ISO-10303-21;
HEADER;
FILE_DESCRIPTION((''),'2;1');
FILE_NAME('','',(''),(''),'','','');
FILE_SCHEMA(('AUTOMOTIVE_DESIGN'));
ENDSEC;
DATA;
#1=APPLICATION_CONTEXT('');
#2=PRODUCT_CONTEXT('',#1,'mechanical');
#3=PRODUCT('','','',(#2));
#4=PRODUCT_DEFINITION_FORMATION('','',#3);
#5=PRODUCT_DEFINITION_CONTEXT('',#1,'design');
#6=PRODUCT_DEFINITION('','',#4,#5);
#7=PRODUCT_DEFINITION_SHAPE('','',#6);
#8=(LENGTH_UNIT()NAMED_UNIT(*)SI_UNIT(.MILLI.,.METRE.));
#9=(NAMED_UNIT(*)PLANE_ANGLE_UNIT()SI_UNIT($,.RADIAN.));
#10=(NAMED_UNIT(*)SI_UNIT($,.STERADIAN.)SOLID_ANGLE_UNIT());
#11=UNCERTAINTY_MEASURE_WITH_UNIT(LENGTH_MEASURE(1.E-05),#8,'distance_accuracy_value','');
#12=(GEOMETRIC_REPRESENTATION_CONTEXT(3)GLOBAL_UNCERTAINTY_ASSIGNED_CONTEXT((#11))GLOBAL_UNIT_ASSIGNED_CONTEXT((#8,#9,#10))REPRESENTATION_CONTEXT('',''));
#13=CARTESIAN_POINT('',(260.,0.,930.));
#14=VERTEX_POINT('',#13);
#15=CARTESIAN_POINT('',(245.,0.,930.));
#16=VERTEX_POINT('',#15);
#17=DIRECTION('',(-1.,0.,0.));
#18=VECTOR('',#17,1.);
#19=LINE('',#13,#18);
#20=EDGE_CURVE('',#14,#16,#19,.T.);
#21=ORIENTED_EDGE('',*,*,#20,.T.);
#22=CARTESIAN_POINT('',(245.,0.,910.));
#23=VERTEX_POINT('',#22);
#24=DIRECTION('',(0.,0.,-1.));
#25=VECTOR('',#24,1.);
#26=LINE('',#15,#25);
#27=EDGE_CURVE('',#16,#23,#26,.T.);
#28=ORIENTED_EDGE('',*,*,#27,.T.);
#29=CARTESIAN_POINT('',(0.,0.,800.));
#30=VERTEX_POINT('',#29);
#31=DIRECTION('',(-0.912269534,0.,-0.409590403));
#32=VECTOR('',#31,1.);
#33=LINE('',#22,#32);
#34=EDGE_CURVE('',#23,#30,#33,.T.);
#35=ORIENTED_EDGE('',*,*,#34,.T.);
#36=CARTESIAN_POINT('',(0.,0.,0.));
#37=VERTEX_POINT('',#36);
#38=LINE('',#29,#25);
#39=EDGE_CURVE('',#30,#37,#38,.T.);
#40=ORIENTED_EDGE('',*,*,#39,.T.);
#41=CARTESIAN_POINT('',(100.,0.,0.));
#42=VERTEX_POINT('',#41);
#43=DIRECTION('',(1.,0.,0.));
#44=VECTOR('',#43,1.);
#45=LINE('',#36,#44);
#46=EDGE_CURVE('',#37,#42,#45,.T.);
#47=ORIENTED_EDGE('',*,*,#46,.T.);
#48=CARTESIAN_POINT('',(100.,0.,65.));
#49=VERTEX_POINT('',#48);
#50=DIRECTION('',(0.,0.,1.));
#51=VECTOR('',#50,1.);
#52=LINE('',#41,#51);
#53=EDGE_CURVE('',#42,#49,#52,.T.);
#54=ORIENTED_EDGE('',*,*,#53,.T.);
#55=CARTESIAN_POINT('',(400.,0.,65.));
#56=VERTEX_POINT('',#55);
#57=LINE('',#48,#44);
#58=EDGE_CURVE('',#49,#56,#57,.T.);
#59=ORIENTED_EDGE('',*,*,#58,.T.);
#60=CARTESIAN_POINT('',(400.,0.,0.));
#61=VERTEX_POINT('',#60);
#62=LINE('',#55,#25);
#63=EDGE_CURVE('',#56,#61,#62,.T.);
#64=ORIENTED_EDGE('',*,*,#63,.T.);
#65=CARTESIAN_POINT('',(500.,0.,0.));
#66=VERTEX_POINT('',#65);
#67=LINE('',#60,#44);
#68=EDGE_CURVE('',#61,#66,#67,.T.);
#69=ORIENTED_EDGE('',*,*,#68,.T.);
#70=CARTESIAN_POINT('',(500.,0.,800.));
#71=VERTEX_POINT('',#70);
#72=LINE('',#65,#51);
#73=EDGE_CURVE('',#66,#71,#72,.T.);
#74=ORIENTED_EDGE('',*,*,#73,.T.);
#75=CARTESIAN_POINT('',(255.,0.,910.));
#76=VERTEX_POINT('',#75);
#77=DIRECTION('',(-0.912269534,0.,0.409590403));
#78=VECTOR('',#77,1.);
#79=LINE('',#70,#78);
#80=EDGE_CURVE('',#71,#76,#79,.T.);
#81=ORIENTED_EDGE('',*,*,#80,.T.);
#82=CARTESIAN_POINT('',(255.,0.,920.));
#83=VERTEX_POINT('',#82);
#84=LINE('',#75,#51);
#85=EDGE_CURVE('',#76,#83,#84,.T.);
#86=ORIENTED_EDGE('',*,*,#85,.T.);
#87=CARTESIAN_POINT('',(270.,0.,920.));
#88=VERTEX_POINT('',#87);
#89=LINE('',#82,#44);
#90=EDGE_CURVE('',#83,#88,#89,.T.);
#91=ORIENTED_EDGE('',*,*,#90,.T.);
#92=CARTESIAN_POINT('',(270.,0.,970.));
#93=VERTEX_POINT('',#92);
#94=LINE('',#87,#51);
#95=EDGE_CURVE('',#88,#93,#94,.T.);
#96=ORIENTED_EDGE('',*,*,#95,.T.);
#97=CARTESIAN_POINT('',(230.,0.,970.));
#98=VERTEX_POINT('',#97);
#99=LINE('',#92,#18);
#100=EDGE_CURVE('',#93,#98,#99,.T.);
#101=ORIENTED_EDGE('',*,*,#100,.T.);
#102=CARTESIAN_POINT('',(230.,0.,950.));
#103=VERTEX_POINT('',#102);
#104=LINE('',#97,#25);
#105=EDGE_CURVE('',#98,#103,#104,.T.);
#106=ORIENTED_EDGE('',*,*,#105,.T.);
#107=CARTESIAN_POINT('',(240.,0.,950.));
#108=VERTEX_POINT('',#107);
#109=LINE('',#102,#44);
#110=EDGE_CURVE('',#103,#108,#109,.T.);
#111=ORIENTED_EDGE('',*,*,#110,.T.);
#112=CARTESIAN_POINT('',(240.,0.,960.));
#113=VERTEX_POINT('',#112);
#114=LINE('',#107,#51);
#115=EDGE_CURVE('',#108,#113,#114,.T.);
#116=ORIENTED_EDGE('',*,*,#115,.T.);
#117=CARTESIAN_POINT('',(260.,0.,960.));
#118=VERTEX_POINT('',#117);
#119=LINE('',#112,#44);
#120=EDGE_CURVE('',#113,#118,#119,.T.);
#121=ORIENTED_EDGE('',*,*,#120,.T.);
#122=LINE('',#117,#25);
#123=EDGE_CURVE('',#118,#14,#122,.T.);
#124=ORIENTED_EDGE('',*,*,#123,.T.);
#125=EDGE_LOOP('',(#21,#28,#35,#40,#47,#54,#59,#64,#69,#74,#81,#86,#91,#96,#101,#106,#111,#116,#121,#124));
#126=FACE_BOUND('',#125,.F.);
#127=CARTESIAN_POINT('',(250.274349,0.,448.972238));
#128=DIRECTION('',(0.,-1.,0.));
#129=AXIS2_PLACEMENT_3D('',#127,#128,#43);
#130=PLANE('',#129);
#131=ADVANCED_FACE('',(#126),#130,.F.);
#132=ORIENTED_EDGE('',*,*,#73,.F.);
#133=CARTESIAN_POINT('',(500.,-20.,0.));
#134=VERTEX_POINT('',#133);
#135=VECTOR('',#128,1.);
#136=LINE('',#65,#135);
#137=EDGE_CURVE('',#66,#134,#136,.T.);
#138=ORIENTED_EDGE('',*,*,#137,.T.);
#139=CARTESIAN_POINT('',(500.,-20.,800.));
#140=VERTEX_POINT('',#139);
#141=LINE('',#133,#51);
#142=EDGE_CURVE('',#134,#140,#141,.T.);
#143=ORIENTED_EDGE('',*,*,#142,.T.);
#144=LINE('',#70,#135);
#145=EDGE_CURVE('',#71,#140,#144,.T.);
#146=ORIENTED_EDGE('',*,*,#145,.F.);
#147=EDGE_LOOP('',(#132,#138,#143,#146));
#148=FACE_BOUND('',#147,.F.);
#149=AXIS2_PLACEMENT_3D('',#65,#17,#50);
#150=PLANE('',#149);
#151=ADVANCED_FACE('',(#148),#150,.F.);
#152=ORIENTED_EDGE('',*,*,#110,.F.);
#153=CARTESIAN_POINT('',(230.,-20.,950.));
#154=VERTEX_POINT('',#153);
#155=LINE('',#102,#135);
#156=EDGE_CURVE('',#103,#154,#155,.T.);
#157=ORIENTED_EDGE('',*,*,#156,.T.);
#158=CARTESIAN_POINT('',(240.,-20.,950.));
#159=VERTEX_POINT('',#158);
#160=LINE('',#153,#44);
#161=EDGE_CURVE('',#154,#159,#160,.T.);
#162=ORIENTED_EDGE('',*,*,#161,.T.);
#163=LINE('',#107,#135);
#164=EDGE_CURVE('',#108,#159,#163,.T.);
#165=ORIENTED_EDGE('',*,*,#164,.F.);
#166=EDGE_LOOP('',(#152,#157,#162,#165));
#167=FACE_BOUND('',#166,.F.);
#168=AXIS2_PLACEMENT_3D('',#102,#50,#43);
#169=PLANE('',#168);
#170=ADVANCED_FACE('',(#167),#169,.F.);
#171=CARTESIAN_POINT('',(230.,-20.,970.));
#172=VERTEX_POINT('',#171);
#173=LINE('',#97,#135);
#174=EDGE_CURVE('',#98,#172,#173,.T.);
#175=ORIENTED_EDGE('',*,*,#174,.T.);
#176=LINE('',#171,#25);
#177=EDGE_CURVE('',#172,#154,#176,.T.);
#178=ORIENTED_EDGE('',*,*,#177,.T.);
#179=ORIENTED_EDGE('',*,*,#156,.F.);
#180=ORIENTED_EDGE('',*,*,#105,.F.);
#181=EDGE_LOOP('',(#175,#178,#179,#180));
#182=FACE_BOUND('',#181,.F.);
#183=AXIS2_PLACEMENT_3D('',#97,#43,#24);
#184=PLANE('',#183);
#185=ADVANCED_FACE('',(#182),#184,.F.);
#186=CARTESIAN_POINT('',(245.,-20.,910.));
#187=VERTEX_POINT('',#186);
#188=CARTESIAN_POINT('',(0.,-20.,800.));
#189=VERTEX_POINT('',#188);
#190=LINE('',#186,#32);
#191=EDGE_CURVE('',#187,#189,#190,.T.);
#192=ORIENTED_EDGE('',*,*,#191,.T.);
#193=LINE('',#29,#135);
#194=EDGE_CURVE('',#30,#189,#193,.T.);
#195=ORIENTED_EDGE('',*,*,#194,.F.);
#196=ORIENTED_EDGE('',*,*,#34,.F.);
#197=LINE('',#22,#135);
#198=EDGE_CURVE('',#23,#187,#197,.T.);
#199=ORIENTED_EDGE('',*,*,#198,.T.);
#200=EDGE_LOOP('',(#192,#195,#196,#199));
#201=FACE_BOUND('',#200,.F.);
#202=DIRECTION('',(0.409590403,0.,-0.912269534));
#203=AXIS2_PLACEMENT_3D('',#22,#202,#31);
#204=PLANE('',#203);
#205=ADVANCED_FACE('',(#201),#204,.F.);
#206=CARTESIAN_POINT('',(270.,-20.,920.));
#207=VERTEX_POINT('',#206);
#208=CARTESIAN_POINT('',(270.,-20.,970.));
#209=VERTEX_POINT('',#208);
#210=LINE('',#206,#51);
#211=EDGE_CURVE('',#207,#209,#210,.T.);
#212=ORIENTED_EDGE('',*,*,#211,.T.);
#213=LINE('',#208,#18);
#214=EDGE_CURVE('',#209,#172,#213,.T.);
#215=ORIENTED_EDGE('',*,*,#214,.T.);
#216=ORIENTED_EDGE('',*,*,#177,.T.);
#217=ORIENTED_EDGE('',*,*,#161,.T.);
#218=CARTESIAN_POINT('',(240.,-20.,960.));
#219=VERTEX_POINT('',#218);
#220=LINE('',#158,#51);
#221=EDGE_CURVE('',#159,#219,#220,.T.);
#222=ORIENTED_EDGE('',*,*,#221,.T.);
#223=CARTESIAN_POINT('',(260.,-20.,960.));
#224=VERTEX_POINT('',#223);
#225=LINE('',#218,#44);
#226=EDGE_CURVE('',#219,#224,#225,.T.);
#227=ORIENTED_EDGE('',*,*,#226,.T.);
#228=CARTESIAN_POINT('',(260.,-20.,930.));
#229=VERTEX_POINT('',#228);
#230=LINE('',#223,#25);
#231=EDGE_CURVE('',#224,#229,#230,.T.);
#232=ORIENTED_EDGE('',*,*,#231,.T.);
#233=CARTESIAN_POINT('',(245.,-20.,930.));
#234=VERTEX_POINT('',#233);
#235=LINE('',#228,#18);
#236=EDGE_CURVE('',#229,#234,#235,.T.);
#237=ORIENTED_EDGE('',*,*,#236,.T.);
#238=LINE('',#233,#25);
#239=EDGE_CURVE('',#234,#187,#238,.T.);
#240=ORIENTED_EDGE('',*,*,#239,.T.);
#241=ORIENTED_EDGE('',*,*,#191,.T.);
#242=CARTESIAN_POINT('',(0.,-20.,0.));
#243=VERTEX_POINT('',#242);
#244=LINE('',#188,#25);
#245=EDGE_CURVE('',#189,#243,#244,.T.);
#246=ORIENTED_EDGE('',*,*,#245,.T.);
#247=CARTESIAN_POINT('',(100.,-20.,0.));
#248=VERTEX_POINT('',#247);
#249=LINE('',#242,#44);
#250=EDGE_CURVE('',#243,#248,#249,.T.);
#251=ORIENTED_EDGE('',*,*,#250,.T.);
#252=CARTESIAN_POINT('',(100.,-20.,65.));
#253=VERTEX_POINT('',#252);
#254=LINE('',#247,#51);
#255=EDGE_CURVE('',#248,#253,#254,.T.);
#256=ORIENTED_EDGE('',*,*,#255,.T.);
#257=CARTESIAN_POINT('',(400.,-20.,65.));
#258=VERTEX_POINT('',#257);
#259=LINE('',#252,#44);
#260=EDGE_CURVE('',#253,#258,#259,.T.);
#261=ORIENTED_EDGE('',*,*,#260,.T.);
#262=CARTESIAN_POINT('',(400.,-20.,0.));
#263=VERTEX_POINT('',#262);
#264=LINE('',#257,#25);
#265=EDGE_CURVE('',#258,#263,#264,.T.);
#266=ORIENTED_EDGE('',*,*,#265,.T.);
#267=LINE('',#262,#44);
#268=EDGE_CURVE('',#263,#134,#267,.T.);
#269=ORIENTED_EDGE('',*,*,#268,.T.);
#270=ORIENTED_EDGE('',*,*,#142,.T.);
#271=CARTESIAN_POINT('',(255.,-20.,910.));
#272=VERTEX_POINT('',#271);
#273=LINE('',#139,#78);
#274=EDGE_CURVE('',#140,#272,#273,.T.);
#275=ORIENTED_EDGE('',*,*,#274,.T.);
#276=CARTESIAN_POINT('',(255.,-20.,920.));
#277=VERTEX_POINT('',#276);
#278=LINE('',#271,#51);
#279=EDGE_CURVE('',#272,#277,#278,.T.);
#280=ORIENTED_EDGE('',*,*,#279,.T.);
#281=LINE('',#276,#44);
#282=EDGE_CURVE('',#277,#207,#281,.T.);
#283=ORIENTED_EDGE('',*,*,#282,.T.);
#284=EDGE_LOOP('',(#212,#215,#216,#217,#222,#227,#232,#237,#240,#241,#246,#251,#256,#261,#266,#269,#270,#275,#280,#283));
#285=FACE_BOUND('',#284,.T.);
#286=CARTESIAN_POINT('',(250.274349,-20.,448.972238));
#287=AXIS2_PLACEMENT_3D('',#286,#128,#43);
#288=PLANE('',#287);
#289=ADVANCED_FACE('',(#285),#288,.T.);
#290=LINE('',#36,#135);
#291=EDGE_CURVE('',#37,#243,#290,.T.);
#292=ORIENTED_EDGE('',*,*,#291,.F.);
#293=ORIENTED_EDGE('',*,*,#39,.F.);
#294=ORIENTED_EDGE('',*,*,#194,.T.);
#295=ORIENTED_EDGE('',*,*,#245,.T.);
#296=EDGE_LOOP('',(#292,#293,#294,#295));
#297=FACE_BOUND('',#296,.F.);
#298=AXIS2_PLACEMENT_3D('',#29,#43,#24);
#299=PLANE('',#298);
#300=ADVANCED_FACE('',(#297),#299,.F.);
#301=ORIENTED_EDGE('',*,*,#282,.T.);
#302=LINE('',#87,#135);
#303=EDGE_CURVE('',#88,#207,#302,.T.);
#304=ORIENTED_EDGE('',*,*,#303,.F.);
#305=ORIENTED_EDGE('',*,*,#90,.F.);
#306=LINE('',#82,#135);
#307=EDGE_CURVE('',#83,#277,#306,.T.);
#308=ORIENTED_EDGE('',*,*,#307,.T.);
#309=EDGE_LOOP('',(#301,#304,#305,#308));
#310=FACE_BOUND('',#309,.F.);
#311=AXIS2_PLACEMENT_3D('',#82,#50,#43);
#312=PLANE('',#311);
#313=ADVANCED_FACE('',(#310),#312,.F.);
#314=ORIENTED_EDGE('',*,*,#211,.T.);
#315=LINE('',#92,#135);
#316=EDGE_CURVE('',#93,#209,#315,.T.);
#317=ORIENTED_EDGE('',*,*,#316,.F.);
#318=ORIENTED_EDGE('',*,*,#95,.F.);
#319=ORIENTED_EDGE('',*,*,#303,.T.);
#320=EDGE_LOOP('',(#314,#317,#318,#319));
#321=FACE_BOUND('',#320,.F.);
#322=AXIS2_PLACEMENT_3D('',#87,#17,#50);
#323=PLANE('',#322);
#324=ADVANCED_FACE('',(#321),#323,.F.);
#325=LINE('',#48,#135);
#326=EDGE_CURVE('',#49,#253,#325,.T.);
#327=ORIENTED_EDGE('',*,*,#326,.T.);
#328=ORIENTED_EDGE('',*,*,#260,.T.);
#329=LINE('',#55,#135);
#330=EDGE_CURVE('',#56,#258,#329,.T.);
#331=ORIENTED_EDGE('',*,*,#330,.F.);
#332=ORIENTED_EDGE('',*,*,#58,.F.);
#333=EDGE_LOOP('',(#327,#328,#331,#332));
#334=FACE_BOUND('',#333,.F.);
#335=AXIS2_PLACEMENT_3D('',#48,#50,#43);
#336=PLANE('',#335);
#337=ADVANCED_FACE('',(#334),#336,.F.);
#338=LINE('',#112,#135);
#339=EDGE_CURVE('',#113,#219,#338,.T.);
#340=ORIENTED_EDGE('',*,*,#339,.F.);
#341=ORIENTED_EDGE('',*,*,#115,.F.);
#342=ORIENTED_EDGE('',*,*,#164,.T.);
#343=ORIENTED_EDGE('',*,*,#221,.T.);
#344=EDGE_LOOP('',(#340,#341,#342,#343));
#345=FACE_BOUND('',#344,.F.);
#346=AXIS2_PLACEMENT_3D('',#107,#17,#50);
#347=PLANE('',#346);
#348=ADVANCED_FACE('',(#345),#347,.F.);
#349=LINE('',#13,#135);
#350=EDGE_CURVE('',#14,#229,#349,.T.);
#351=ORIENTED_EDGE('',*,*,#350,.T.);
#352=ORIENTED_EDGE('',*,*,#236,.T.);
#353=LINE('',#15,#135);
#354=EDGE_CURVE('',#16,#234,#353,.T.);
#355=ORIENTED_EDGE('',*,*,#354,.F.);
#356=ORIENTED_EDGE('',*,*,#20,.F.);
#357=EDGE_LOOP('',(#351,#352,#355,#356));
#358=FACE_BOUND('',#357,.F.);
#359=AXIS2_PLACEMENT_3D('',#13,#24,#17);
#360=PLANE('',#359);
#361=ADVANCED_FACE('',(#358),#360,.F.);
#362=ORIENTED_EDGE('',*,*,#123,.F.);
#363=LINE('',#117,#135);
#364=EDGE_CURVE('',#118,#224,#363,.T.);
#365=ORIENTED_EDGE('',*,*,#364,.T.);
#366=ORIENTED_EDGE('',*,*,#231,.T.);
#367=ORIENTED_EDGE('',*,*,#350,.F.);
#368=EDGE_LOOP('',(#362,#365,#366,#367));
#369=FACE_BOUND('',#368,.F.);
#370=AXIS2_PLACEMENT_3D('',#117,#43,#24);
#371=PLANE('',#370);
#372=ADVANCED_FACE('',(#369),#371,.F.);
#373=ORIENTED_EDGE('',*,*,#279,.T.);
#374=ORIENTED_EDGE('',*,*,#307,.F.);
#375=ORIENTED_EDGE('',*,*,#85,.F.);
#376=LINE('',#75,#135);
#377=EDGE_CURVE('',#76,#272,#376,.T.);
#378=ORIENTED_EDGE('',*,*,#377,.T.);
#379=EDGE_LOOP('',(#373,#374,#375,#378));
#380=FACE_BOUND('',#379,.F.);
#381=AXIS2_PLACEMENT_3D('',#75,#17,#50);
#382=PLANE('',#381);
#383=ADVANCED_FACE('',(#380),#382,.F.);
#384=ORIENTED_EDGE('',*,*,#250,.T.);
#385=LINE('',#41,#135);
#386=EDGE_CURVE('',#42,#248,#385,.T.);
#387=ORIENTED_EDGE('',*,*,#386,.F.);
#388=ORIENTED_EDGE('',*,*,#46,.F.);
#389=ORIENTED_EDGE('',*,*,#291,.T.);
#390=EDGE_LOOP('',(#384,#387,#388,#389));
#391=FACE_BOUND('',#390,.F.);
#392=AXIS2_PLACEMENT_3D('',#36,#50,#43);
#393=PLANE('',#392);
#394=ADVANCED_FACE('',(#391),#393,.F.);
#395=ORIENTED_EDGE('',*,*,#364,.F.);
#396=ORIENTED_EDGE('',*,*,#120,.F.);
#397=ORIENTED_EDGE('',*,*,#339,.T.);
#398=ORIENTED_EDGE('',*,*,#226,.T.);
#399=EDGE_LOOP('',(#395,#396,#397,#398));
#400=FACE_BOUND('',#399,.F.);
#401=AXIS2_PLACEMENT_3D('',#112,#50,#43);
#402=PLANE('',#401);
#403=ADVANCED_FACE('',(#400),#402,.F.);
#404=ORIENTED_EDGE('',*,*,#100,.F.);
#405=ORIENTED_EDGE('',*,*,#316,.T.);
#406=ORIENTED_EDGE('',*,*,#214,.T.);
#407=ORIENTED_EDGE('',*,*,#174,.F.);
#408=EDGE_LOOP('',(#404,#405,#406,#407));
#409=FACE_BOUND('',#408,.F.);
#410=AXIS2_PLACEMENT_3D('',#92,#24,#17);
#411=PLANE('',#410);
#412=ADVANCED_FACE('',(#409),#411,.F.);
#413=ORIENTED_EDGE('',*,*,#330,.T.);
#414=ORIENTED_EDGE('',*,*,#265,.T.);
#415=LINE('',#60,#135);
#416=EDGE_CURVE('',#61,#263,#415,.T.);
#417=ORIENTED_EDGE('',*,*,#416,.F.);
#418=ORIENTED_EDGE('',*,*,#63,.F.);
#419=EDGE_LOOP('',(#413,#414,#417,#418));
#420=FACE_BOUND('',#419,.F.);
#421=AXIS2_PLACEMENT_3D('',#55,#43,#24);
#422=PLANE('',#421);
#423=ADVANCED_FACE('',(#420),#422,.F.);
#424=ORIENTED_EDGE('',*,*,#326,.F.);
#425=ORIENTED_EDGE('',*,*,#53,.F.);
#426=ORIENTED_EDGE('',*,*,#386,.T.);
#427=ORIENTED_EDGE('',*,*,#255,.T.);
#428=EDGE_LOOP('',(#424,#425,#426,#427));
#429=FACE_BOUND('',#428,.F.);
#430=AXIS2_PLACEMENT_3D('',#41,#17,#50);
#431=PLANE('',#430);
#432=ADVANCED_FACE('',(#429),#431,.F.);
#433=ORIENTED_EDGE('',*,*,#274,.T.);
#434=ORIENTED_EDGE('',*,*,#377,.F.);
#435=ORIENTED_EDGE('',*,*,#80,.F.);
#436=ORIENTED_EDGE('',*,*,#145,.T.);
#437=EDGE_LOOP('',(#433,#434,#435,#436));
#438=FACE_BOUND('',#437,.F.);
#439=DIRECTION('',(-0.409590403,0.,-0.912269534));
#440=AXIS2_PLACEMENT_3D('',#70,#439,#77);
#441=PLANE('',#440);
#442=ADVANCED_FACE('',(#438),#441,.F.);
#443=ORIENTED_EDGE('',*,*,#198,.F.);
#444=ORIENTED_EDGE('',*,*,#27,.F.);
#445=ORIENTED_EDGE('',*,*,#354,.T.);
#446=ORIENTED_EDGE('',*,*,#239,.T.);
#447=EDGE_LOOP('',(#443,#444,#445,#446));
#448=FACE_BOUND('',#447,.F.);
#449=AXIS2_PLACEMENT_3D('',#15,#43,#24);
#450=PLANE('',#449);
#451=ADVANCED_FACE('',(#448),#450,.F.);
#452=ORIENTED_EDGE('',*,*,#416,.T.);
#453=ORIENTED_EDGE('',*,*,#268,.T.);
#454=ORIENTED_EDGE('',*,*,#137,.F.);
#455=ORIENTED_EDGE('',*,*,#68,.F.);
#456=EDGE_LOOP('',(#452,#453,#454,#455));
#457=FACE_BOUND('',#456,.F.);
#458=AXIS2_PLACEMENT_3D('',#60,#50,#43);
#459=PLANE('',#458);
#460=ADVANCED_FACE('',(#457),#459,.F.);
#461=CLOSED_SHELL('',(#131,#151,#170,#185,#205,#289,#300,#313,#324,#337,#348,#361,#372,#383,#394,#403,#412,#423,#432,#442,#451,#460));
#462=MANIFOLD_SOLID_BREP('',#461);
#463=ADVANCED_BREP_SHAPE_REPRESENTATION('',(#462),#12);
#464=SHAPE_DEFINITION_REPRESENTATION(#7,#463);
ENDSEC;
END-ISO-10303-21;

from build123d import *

# Parameters (mm, degrees)
F1_DEPTH = 20


with BuildPart() as f1:
    # F0 (on Front) → F1 (new body)
    with BuildSketch(Plane.XZ):
        Polygon((0, 800), (0, 0), (100, 0), (100, 65), (400, 65), (400, 0), (500, 0), (500, 800), (255, 910), (255, 920), (270, 920), (270, 930), (270, 960), (270, 970), (230, 970), (230, 960), (230, 950), (240, 950), (240, 960), (260, 960), (260, 930), (245, 930), (245, 920), (245, 910), align=None)
    extrude(amount=F1_DEPTH)


solid = f1.part
